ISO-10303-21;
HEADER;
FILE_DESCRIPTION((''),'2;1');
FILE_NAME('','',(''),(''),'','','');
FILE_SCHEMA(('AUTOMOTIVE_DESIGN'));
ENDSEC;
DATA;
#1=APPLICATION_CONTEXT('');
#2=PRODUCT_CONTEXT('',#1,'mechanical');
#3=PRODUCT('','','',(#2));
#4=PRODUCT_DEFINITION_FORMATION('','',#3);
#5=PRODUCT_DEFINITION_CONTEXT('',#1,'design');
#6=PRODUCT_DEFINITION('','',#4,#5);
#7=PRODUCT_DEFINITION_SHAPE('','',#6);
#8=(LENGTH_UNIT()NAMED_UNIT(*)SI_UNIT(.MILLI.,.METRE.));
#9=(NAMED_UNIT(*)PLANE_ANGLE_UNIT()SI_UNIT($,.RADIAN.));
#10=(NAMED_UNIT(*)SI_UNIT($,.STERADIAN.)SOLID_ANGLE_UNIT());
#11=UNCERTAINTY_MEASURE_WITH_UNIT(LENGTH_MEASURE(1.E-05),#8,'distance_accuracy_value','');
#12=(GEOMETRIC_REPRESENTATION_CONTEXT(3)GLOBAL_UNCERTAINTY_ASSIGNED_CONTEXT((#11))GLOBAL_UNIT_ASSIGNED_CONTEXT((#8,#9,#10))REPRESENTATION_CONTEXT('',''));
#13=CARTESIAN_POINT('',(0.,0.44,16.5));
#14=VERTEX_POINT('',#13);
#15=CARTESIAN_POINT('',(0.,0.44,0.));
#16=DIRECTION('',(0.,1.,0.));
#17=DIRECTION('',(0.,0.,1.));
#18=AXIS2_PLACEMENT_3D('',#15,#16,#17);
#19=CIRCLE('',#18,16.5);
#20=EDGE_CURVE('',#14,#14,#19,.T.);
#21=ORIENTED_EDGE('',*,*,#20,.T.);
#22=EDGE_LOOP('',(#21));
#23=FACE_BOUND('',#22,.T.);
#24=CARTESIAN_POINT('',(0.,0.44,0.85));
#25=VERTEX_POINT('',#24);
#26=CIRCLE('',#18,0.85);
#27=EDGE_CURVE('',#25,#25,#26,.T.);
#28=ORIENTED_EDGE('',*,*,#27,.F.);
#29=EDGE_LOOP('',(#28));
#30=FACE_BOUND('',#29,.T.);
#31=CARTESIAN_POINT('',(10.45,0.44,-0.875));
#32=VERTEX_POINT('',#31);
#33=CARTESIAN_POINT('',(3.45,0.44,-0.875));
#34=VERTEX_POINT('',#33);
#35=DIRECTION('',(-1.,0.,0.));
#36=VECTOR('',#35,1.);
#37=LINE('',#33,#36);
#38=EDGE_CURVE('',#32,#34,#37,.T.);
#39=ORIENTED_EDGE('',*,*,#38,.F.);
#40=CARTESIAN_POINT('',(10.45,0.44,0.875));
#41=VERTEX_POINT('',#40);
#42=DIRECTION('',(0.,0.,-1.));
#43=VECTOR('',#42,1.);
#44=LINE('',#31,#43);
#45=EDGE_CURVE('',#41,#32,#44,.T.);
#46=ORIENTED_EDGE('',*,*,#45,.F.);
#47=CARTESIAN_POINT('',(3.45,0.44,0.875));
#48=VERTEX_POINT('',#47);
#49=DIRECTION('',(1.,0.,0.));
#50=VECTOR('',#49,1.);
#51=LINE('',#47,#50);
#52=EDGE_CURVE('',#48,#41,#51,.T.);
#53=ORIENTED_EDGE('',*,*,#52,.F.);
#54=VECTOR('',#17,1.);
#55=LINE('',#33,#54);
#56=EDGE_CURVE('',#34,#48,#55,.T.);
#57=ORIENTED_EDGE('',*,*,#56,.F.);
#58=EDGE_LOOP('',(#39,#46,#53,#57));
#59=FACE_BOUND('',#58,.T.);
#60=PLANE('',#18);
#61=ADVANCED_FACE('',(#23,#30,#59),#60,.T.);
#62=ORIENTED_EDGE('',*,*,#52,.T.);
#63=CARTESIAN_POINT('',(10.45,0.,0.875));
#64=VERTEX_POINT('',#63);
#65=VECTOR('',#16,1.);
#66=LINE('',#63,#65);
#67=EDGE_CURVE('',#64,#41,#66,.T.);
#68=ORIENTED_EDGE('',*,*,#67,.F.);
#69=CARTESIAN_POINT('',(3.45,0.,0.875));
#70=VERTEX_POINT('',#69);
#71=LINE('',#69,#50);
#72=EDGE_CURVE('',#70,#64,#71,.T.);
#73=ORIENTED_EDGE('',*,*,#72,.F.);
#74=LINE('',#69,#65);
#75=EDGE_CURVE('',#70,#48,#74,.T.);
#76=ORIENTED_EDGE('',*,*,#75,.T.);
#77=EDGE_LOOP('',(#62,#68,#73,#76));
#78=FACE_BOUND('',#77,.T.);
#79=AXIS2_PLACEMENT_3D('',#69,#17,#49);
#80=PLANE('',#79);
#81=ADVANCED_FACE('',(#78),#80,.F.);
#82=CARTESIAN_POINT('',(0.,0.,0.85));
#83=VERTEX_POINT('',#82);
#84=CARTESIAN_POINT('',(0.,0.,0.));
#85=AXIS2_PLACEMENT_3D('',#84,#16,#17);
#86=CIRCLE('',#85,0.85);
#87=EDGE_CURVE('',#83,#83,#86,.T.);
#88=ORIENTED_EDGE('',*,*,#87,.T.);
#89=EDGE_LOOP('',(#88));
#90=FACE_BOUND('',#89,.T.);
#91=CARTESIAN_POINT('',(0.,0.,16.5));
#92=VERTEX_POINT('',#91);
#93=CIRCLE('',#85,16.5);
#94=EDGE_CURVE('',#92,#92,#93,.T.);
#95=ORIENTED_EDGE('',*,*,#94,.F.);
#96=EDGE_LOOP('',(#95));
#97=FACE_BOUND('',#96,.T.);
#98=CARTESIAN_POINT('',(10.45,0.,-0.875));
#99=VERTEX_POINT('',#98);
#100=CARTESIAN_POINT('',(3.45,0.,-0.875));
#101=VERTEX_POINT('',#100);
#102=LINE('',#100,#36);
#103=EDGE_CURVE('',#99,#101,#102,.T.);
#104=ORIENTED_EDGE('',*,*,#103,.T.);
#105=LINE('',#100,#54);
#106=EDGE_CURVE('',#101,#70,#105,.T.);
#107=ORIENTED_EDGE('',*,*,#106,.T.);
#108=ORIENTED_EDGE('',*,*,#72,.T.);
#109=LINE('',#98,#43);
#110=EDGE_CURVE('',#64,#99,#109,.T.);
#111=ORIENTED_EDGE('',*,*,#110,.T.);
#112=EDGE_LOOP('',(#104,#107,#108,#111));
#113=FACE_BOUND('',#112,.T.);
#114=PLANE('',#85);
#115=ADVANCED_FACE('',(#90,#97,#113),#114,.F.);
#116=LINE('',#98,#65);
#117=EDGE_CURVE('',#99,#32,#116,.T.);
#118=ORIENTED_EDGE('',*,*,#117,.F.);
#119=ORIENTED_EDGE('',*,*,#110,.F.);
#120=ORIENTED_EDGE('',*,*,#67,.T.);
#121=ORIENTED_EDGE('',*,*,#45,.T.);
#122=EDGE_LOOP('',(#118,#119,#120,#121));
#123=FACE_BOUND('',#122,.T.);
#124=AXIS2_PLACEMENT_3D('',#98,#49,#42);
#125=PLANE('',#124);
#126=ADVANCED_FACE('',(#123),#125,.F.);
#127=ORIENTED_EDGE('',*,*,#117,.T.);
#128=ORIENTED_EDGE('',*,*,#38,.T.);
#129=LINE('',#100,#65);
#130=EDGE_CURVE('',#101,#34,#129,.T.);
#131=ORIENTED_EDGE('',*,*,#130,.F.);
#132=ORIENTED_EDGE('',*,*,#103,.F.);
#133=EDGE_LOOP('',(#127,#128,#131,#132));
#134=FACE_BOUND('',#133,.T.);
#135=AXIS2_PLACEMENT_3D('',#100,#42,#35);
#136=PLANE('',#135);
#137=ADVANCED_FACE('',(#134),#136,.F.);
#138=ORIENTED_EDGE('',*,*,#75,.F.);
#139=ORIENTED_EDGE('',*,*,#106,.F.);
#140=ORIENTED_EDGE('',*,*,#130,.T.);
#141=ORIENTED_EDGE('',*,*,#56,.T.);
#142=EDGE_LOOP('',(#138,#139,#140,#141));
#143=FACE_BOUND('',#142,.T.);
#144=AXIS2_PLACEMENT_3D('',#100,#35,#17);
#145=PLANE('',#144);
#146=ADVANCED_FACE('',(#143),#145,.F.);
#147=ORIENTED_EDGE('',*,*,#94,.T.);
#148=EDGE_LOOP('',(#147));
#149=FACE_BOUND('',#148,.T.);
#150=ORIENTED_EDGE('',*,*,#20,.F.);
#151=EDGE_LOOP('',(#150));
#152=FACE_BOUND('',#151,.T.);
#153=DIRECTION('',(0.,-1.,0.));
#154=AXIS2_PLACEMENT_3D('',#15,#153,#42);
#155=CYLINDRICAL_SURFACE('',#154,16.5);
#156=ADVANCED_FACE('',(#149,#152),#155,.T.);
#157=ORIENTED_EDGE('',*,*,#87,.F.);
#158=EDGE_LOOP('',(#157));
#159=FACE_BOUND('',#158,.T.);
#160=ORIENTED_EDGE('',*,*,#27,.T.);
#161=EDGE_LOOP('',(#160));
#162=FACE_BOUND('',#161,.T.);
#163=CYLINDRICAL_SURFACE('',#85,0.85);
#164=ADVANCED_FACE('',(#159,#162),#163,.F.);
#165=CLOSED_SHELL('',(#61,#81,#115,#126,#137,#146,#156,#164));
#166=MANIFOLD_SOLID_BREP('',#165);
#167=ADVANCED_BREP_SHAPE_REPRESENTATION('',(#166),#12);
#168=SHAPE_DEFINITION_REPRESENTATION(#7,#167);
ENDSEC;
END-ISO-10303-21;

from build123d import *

# Parameters (mm, degrees)
SKETCH1_R           = 16.5
BOSS_EXTRUDE1_DEPTH = 0.44
SKETCH2_R           = 0.85
SKETCH2_W           = 7
SKETCH2_H           = 1.75
CUT_EXTRUDE1_DEPTH  = 0.44


with BuildPart() as part:
    # Sketch1 → Boss-Extrude1 (new body)
    with BuildSketch(Plane(origin=(0, 0, 0), x_dir=(1, 0, 0), z_dir=(0, 1, 0))):
        Circle(SKETCH1_R)
    extrude(amount=BOSS_EXTRUDE1_DEPTH)

    # Sketch2 → Cut-Extrude1 (cut)
    with BuildSketch(Plane(origin=(0, 0.44, 0), x_dir=(1, 0, 0), z_dir=(0, 1, 0))):
        Circle(SKETCH2_R)
        with Locations((6.95, 0)):
            Rectangle(SKETCH2_W, SKETCH2_H)
    extrude(amount=-CUT_EXTRUDE1_DEPTH, mode=Mode.SUBTRACT)


solid = part.part
